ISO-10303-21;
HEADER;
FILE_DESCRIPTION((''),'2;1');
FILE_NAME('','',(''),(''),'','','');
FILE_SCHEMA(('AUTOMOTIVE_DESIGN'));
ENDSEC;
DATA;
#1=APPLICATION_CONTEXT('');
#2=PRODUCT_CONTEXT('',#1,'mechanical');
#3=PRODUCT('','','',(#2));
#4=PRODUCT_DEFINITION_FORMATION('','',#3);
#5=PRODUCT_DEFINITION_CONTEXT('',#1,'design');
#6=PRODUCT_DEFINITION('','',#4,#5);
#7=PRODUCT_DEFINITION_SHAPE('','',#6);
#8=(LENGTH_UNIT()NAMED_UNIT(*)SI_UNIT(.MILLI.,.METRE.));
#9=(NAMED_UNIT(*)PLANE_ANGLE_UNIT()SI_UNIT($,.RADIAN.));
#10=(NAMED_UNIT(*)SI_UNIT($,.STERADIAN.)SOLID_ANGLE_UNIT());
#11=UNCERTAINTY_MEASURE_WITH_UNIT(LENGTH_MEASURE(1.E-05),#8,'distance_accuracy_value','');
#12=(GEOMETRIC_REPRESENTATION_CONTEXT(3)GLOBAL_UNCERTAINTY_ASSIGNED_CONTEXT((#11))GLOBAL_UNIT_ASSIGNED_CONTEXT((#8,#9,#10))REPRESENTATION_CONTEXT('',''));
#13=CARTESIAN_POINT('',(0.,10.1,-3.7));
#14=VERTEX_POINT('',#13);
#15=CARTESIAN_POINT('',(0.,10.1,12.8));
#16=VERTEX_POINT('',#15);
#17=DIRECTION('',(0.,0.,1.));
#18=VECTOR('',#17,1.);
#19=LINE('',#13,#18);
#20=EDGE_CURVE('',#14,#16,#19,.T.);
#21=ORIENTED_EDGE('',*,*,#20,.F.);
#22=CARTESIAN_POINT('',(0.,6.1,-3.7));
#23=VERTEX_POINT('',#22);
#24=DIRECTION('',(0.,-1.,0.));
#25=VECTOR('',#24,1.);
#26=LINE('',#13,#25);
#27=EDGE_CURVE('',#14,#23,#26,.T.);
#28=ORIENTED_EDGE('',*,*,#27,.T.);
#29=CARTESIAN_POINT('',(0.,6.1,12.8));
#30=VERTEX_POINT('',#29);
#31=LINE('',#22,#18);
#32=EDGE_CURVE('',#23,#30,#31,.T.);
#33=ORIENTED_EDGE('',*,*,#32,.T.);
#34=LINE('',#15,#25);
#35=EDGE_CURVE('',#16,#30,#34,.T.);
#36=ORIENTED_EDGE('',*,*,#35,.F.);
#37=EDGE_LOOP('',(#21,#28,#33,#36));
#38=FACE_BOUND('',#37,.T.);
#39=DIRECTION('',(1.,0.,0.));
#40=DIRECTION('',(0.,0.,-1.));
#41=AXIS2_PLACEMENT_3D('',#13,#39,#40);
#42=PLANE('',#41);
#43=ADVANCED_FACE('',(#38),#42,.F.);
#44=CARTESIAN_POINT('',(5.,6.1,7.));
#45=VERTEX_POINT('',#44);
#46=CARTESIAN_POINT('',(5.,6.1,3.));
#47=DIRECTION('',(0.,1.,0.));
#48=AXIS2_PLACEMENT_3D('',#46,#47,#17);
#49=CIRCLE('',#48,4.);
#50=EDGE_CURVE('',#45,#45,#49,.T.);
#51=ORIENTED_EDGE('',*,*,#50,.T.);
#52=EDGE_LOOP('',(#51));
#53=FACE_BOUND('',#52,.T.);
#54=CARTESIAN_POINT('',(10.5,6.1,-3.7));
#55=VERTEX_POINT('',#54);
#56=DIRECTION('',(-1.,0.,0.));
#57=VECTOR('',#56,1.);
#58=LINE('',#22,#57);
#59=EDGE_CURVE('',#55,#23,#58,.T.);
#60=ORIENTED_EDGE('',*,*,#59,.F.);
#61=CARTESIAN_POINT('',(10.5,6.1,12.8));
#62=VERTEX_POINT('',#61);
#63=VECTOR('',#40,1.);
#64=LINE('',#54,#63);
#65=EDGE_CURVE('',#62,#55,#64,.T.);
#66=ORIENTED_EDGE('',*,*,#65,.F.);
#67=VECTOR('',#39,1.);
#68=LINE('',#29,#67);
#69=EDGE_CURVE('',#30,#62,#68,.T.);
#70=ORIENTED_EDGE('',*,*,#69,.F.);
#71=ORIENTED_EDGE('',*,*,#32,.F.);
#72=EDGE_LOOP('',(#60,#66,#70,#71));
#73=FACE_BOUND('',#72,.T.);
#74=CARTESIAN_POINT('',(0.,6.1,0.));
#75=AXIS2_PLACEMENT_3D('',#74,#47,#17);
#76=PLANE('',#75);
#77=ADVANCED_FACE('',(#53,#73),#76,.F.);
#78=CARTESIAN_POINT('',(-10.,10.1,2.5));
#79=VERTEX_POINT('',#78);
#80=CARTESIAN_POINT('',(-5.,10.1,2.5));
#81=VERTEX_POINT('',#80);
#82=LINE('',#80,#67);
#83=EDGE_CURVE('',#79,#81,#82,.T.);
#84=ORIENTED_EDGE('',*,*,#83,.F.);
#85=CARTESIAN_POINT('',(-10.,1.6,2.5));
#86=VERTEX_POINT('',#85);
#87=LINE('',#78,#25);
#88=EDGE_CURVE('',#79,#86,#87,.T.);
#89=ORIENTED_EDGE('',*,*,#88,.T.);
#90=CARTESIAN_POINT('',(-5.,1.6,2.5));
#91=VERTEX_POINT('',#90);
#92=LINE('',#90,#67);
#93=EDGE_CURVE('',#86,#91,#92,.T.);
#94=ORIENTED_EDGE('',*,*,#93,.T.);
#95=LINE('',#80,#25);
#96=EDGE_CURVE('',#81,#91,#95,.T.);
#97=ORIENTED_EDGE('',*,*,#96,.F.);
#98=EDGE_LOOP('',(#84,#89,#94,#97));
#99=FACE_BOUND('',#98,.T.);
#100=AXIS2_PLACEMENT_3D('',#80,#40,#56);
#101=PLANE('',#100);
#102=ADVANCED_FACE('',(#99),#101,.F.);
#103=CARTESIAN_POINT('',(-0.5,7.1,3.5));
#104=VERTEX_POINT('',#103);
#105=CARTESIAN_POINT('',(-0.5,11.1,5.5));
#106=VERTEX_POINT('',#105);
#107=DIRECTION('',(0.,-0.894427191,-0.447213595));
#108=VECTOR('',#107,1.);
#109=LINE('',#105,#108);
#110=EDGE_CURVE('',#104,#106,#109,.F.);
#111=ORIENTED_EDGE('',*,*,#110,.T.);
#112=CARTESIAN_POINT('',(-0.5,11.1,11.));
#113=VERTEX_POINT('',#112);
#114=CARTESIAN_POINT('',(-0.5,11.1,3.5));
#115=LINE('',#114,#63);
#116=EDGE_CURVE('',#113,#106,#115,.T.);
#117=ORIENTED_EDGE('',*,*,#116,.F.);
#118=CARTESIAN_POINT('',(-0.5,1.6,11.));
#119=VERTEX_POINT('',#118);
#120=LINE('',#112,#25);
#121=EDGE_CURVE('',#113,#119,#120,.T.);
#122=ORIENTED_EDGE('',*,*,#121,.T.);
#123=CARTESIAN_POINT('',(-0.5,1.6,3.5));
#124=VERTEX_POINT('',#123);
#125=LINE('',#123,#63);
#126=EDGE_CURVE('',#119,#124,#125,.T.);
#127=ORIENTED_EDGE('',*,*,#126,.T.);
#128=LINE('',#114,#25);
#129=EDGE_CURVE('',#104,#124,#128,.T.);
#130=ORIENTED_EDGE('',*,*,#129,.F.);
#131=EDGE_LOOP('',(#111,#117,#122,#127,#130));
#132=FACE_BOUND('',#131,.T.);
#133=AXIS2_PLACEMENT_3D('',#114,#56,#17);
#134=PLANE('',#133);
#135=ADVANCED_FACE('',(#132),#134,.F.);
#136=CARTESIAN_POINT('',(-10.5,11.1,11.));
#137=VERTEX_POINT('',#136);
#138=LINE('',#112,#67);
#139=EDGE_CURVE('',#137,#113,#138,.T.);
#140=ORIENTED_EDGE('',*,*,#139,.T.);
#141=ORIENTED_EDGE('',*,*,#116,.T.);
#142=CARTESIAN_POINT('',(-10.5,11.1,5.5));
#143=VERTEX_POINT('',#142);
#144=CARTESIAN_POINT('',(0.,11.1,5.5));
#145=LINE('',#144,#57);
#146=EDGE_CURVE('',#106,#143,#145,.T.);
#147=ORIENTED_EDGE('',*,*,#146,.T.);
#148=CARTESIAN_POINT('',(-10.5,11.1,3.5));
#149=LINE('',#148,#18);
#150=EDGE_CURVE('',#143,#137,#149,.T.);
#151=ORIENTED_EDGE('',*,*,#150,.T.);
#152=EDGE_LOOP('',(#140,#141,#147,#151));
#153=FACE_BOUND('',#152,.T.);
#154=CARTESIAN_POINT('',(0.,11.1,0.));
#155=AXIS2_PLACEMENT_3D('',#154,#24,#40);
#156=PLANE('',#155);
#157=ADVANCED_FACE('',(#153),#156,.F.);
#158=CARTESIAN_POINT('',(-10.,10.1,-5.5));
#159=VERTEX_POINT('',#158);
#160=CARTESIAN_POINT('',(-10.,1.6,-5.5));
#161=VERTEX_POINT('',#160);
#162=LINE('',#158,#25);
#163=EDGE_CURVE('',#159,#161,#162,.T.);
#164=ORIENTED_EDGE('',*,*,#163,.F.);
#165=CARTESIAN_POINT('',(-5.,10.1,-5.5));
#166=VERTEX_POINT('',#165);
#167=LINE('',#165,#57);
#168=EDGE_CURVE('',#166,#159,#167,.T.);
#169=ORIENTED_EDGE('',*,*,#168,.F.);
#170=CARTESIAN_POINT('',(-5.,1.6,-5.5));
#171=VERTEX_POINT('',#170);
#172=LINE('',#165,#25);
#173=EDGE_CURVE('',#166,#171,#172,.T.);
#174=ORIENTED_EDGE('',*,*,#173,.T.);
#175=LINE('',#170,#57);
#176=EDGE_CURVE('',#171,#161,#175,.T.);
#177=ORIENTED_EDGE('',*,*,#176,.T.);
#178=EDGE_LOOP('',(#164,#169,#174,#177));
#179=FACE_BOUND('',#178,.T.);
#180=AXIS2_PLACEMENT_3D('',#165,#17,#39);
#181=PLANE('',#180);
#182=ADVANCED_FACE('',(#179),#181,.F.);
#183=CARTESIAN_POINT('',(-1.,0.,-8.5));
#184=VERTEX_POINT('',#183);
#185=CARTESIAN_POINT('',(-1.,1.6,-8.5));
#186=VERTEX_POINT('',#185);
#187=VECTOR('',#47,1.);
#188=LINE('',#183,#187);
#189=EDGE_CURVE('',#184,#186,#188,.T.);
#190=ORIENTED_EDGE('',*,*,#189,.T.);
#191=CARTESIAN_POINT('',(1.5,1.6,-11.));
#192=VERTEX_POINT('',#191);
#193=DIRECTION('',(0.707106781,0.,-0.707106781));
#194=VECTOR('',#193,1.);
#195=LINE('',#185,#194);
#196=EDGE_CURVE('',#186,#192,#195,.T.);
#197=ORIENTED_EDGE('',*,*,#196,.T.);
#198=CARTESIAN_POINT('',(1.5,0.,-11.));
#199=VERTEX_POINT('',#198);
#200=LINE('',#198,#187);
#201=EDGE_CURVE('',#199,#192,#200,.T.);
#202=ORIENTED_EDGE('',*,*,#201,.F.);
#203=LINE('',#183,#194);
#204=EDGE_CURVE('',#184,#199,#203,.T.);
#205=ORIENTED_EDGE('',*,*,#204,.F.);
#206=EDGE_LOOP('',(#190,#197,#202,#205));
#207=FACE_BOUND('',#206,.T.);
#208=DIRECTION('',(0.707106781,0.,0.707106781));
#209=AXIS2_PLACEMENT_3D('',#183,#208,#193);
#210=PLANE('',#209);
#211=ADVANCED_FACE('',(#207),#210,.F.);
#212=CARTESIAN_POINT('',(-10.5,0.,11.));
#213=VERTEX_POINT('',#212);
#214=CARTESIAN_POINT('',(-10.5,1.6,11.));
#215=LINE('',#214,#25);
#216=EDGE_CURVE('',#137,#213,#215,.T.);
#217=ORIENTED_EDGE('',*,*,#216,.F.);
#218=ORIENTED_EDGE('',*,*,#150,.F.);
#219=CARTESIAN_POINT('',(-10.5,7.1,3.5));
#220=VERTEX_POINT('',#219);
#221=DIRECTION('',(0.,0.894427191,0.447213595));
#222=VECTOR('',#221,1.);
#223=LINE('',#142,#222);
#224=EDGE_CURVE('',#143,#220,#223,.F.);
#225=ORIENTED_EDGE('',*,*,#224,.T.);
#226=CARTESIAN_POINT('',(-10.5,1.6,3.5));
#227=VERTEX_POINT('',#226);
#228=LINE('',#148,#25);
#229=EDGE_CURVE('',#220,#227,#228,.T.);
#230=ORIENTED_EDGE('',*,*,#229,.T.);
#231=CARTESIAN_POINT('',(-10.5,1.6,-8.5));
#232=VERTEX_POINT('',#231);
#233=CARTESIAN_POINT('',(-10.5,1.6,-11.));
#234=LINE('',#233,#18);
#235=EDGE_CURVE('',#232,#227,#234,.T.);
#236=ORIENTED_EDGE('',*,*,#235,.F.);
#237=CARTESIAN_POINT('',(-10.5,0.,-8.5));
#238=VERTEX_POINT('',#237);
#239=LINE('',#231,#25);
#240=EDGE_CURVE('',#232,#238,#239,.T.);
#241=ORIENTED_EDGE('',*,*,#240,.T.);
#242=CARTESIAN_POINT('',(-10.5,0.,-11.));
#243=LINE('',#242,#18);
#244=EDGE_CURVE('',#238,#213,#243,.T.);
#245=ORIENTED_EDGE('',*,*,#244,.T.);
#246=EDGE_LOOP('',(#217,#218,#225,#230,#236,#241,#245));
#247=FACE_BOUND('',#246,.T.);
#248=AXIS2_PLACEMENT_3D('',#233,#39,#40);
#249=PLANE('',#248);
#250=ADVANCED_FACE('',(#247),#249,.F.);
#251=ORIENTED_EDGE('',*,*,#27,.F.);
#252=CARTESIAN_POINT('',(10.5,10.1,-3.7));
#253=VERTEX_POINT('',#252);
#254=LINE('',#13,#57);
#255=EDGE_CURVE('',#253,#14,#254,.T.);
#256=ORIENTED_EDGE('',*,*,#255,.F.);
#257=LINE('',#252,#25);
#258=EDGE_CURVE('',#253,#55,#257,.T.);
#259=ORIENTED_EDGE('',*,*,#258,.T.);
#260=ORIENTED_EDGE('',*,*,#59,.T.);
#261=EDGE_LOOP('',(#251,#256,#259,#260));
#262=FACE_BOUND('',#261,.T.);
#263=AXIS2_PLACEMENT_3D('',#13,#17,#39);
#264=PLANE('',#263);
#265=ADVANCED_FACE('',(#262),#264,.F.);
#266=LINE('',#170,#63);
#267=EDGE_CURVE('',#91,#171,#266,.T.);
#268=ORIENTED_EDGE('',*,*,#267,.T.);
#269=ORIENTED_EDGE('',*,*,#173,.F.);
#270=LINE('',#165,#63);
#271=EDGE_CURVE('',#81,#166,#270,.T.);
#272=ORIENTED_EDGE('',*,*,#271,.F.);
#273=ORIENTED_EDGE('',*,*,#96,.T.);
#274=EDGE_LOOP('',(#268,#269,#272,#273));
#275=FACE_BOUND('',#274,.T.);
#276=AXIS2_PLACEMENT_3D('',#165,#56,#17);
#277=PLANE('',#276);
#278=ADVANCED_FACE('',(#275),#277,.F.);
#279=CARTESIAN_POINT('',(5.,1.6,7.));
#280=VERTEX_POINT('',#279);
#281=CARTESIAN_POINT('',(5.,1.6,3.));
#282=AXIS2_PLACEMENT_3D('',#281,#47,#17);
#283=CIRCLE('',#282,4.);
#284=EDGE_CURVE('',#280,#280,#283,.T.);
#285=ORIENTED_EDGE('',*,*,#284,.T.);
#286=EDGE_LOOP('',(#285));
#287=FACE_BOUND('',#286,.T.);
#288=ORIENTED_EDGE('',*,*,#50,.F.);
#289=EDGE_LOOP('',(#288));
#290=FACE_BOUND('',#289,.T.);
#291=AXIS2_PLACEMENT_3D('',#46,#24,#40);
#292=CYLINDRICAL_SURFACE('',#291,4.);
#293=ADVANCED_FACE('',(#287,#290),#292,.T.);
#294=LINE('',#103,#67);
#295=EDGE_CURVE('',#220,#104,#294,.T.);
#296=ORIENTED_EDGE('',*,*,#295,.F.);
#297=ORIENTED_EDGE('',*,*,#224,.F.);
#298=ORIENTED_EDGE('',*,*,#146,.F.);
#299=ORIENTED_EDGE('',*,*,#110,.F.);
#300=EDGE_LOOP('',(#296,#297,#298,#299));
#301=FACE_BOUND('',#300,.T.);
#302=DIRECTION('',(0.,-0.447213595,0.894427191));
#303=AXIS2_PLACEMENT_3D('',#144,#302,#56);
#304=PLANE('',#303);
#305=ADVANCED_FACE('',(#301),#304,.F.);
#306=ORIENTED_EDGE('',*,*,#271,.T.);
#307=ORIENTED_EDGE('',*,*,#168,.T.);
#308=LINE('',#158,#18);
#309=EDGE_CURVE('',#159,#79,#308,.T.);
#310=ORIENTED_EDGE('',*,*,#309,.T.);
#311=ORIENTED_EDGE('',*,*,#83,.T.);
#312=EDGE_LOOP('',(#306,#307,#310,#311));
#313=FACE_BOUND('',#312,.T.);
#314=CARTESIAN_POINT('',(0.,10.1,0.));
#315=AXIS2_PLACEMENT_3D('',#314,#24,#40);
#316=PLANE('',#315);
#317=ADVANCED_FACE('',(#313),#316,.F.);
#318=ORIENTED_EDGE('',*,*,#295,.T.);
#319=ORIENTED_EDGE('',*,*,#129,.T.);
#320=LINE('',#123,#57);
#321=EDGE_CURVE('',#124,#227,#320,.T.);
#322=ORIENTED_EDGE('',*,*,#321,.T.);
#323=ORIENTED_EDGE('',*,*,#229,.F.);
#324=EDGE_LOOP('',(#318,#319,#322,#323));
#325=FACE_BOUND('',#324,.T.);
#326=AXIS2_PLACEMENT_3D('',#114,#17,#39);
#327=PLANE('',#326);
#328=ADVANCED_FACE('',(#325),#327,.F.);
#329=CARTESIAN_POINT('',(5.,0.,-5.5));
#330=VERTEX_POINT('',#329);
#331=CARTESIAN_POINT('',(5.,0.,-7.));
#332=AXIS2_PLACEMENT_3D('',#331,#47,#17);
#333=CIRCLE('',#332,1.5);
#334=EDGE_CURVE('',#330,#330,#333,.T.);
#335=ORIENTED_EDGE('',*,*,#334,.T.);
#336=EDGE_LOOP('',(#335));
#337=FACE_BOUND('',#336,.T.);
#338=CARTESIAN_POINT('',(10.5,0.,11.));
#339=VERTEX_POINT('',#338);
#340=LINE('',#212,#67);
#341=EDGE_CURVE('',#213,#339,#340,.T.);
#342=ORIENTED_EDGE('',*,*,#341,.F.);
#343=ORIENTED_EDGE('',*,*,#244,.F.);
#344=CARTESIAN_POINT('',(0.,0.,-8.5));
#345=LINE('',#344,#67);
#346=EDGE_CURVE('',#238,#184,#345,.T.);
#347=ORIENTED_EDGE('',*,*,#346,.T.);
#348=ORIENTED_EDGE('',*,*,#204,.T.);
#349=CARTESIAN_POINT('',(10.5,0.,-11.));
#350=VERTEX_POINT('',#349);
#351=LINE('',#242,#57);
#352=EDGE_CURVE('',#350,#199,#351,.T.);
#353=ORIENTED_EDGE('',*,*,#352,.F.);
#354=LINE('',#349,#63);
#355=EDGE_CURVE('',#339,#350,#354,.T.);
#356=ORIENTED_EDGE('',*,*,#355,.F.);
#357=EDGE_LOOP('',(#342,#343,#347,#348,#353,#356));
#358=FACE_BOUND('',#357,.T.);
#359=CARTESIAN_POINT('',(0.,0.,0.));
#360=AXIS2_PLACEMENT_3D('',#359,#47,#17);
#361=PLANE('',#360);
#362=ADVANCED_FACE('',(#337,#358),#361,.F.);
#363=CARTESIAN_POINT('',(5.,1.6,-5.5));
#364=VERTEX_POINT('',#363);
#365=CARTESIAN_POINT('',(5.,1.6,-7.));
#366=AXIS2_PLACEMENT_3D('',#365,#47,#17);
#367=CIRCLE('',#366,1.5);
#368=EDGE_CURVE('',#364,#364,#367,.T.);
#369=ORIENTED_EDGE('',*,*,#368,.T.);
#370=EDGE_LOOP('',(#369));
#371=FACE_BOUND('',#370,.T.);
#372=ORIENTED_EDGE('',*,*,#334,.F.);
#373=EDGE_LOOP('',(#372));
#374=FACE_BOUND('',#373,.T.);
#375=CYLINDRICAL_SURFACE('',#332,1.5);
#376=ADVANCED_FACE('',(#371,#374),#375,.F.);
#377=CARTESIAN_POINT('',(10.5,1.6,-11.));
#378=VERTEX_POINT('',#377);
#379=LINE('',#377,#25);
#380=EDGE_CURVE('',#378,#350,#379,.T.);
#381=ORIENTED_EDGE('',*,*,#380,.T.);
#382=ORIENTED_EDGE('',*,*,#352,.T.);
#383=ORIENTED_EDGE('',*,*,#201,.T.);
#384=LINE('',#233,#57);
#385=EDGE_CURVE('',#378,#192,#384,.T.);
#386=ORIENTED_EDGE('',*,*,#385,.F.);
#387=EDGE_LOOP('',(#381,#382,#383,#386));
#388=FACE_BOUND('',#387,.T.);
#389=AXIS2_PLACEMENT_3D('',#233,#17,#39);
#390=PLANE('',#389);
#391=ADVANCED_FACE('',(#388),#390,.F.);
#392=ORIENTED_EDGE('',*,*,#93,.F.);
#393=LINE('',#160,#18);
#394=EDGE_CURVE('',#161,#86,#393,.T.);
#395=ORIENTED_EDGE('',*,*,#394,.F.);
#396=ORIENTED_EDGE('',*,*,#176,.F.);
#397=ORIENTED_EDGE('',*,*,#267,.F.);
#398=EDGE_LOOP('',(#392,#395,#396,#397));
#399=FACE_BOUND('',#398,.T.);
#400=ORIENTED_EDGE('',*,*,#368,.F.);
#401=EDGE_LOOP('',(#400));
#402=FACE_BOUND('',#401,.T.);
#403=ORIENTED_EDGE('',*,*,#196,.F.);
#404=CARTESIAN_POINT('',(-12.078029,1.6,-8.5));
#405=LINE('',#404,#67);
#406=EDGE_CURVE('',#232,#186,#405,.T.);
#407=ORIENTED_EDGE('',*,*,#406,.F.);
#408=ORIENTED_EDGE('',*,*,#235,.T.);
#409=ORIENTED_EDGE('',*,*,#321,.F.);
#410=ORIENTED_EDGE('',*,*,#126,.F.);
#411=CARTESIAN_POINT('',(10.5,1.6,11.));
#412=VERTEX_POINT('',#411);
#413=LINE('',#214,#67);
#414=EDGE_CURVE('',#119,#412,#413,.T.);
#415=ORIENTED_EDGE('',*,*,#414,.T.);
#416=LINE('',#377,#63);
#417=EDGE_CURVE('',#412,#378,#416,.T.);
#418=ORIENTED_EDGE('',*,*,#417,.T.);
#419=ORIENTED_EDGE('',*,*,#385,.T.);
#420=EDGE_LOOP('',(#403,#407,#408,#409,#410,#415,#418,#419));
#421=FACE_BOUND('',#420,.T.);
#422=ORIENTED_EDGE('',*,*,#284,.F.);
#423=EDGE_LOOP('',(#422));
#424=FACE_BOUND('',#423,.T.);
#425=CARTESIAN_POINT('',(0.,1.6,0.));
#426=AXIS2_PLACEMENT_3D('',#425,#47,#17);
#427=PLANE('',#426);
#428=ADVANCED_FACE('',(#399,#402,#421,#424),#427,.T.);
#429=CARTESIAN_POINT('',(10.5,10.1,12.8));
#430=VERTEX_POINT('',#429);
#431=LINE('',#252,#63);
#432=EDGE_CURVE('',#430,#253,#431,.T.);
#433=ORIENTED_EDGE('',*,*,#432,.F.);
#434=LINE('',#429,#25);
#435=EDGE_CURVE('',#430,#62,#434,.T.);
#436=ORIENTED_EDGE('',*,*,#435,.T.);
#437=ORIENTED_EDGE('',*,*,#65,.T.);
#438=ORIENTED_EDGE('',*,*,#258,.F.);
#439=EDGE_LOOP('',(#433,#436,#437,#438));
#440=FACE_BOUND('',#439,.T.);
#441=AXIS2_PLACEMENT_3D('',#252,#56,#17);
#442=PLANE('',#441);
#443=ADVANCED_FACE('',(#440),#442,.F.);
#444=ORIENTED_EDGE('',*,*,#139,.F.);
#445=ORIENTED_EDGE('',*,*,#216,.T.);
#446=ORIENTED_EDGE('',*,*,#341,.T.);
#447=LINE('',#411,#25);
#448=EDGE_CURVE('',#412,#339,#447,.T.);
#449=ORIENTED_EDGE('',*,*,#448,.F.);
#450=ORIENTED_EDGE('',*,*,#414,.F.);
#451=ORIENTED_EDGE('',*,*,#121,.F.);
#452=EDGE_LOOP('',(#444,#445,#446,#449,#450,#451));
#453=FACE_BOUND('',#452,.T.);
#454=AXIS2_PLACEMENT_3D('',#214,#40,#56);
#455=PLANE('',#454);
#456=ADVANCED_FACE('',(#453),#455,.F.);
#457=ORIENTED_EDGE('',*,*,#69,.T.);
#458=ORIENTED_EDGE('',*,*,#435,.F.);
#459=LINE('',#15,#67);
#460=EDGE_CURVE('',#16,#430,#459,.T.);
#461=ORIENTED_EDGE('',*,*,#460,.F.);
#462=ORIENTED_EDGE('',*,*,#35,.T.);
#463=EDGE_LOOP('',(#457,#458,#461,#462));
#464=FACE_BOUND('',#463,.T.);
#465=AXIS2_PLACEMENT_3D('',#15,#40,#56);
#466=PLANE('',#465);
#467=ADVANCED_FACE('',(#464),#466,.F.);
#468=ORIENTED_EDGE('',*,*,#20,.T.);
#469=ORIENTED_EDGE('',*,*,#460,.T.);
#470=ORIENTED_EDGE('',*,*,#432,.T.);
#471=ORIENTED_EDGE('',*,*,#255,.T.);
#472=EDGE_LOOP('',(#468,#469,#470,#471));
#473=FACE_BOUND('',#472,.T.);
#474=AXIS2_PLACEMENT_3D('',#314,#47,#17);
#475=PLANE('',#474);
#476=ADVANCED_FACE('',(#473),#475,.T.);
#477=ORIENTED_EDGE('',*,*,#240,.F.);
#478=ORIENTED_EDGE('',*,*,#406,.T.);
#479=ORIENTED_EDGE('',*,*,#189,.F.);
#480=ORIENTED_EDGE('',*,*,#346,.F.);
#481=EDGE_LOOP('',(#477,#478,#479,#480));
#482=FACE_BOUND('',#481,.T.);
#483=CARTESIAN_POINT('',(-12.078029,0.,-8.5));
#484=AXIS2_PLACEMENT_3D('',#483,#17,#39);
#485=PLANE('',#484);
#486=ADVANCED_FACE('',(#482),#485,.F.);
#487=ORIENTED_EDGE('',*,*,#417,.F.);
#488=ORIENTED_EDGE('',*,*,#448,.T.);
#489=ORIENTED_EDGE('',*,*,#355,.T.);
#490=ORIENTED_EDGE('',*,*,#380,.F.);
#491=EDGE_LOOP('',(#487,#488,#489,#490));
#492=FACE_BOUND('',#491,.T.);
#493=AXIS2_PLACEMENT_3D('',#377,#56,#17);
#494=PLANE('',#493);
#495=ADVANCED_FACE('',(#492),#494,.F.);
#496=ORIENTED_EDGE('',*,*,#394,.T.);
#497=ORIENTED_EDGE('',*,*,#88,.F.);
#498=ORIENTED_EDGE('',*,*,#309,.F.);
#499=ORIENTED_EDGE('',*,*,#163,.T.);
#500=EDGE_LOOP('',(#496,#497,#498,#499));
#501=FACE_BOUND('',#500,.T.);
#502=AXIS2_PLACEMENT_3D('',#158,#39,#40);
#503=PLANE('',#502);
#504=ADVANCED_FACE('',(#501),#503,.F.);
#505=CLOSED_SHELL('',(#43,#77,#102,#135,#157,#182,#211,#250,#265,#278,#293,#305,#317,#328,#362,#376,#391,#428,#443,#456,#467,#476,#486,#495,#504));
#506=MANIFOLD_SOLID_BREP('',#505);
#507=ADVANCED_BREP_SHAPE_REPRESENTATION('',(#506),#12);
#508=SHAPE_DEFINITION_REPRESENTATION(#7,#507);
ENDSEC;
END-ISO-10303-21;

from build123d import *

# Parameters (mm, degrees)
SKETCH1_W           = 21
SKETCH1_H           = 22
BOSS_EXTRUDE1_DEPTH = 1.6
SKETCH2_R           = 1.5
CUT_EXTRUDE1_DEPTH  = 1.6
SKETCH3_W           = 5
SKETCH3_H           = 8
BOSS_EXTRUDE2_DEPTH = 8.5
SKETCH4_W           = 10
SKETCH4_H           = 7.5
BOSS_EXTRUDE3_DEPTH = 9.5
CHAMFER1_SIZE       = 4
CHAMFER1_SIZE2      = 2
SKETCH5_R           = 4
BOSS_EXTRUDE4_DEPTH = 4.5
SKETCH6_W           = 10.5
SKETCH6_H           = 16.5
BOSS_EXTRUDE5_DEPTH = 4


with BuildPart() as part:
    # Sketch1 → Boss-Extrude1 (new body)
    with BuildSketch(Plane(origin=(0, 0, 0), x_dir=(1, 0, 0), z_dir=(0, 1, 0))):
        Rectangle(SKETCH1_W, SKETCH1_H)
    extrude(amount=BOSS_EXTRUDE1_DEPTH)

    # Sketch2 → Cut-Extrude1 (cut)
    with BuildSketch(Plane(origin=(0, 1.6, 0), x_dir=(1, 0, 0), z_dir=(0, 1, 0))):
        with Locations(Location((5, 7, 0), (0, 0, 270))):
            Circle(SKETCH2_R)
        Polygon((-12.078029191, 8.5), (-1, 8.5), (1.5, 11), (-12.078029191, 11), align=None)
    extrude(amount=-CUT_EXTRUDE1_DEPTH, mode=Mode.SUBTRACT)

    # Sketch3 → Boss-Extrude2 (add)
    with BuildSketch(Plane(origin=(0, 1.6, 0), x_dir=(1, 0, 0), z_dir=(0, 1, 0))):
        with Locations((-7.5, 1.5)):
            Rectangle(SKETCH3_W, SKETCH3_H)
    extrude(amount=BOSS_EXTRUDE2_DEPTH)

    # Sketch4 → Boss-Extrude3 (add)
    with BuildSketch(Plane(origin=(0, 1.6, 0), x_dir=(1, 0, 0), z_dir=(0, 1, 0))):
        with Locations((-5.5, -7.25)):
            Rectangle(SKETCH4_W, SKETCH4_H)
    extrude(amount=BOSS_EXTRUDE3_DEPTH)

    # Chamfer1
    chamfer1_edges = [part.edges().sort_by_distance(p)[0] for p in [
        (-5.5, 11.1, 3.5),
    ]]
    chamfer1_side = [part.faces().sort_by_distance(p)[0] for p in [
        (-5.5, 6.35, 3.5),
    ]]
    chamfer(chamfer1_edges, length=CHAMFER1_SIZE, length2=CHAMFER1_SIZE2, reference=chamfer1_side[0])

    # Sketch5 → Boss-Extrude4 (add)
    with BuildSketch(Plane(origin=(0, 1.6, 0), x_dir=(1, 0, 0), z_dir=(0, 1, 0))):
        with Locations(Location((5, -3, 0), (0, 0, 270))):
            Circle(SKETCH5_R)
    extrude(amount=BOSS_EXTRUDE4_DEPTH)

    # Sketch6 → Boss-Extrude5 (add)
    with BuildSketch(Plane(origin=(0, 6.1, 0), x_dir=(1, 0, 0), z_dir=(0, 1, 0))):
        with Locations((5.25, -4.55)):
            Rectangle(SKETCH6_W, SKETCH6_H)
    extrude(amount=BOSS_EXTRUDE5_DEPTH)


solid = part.part
